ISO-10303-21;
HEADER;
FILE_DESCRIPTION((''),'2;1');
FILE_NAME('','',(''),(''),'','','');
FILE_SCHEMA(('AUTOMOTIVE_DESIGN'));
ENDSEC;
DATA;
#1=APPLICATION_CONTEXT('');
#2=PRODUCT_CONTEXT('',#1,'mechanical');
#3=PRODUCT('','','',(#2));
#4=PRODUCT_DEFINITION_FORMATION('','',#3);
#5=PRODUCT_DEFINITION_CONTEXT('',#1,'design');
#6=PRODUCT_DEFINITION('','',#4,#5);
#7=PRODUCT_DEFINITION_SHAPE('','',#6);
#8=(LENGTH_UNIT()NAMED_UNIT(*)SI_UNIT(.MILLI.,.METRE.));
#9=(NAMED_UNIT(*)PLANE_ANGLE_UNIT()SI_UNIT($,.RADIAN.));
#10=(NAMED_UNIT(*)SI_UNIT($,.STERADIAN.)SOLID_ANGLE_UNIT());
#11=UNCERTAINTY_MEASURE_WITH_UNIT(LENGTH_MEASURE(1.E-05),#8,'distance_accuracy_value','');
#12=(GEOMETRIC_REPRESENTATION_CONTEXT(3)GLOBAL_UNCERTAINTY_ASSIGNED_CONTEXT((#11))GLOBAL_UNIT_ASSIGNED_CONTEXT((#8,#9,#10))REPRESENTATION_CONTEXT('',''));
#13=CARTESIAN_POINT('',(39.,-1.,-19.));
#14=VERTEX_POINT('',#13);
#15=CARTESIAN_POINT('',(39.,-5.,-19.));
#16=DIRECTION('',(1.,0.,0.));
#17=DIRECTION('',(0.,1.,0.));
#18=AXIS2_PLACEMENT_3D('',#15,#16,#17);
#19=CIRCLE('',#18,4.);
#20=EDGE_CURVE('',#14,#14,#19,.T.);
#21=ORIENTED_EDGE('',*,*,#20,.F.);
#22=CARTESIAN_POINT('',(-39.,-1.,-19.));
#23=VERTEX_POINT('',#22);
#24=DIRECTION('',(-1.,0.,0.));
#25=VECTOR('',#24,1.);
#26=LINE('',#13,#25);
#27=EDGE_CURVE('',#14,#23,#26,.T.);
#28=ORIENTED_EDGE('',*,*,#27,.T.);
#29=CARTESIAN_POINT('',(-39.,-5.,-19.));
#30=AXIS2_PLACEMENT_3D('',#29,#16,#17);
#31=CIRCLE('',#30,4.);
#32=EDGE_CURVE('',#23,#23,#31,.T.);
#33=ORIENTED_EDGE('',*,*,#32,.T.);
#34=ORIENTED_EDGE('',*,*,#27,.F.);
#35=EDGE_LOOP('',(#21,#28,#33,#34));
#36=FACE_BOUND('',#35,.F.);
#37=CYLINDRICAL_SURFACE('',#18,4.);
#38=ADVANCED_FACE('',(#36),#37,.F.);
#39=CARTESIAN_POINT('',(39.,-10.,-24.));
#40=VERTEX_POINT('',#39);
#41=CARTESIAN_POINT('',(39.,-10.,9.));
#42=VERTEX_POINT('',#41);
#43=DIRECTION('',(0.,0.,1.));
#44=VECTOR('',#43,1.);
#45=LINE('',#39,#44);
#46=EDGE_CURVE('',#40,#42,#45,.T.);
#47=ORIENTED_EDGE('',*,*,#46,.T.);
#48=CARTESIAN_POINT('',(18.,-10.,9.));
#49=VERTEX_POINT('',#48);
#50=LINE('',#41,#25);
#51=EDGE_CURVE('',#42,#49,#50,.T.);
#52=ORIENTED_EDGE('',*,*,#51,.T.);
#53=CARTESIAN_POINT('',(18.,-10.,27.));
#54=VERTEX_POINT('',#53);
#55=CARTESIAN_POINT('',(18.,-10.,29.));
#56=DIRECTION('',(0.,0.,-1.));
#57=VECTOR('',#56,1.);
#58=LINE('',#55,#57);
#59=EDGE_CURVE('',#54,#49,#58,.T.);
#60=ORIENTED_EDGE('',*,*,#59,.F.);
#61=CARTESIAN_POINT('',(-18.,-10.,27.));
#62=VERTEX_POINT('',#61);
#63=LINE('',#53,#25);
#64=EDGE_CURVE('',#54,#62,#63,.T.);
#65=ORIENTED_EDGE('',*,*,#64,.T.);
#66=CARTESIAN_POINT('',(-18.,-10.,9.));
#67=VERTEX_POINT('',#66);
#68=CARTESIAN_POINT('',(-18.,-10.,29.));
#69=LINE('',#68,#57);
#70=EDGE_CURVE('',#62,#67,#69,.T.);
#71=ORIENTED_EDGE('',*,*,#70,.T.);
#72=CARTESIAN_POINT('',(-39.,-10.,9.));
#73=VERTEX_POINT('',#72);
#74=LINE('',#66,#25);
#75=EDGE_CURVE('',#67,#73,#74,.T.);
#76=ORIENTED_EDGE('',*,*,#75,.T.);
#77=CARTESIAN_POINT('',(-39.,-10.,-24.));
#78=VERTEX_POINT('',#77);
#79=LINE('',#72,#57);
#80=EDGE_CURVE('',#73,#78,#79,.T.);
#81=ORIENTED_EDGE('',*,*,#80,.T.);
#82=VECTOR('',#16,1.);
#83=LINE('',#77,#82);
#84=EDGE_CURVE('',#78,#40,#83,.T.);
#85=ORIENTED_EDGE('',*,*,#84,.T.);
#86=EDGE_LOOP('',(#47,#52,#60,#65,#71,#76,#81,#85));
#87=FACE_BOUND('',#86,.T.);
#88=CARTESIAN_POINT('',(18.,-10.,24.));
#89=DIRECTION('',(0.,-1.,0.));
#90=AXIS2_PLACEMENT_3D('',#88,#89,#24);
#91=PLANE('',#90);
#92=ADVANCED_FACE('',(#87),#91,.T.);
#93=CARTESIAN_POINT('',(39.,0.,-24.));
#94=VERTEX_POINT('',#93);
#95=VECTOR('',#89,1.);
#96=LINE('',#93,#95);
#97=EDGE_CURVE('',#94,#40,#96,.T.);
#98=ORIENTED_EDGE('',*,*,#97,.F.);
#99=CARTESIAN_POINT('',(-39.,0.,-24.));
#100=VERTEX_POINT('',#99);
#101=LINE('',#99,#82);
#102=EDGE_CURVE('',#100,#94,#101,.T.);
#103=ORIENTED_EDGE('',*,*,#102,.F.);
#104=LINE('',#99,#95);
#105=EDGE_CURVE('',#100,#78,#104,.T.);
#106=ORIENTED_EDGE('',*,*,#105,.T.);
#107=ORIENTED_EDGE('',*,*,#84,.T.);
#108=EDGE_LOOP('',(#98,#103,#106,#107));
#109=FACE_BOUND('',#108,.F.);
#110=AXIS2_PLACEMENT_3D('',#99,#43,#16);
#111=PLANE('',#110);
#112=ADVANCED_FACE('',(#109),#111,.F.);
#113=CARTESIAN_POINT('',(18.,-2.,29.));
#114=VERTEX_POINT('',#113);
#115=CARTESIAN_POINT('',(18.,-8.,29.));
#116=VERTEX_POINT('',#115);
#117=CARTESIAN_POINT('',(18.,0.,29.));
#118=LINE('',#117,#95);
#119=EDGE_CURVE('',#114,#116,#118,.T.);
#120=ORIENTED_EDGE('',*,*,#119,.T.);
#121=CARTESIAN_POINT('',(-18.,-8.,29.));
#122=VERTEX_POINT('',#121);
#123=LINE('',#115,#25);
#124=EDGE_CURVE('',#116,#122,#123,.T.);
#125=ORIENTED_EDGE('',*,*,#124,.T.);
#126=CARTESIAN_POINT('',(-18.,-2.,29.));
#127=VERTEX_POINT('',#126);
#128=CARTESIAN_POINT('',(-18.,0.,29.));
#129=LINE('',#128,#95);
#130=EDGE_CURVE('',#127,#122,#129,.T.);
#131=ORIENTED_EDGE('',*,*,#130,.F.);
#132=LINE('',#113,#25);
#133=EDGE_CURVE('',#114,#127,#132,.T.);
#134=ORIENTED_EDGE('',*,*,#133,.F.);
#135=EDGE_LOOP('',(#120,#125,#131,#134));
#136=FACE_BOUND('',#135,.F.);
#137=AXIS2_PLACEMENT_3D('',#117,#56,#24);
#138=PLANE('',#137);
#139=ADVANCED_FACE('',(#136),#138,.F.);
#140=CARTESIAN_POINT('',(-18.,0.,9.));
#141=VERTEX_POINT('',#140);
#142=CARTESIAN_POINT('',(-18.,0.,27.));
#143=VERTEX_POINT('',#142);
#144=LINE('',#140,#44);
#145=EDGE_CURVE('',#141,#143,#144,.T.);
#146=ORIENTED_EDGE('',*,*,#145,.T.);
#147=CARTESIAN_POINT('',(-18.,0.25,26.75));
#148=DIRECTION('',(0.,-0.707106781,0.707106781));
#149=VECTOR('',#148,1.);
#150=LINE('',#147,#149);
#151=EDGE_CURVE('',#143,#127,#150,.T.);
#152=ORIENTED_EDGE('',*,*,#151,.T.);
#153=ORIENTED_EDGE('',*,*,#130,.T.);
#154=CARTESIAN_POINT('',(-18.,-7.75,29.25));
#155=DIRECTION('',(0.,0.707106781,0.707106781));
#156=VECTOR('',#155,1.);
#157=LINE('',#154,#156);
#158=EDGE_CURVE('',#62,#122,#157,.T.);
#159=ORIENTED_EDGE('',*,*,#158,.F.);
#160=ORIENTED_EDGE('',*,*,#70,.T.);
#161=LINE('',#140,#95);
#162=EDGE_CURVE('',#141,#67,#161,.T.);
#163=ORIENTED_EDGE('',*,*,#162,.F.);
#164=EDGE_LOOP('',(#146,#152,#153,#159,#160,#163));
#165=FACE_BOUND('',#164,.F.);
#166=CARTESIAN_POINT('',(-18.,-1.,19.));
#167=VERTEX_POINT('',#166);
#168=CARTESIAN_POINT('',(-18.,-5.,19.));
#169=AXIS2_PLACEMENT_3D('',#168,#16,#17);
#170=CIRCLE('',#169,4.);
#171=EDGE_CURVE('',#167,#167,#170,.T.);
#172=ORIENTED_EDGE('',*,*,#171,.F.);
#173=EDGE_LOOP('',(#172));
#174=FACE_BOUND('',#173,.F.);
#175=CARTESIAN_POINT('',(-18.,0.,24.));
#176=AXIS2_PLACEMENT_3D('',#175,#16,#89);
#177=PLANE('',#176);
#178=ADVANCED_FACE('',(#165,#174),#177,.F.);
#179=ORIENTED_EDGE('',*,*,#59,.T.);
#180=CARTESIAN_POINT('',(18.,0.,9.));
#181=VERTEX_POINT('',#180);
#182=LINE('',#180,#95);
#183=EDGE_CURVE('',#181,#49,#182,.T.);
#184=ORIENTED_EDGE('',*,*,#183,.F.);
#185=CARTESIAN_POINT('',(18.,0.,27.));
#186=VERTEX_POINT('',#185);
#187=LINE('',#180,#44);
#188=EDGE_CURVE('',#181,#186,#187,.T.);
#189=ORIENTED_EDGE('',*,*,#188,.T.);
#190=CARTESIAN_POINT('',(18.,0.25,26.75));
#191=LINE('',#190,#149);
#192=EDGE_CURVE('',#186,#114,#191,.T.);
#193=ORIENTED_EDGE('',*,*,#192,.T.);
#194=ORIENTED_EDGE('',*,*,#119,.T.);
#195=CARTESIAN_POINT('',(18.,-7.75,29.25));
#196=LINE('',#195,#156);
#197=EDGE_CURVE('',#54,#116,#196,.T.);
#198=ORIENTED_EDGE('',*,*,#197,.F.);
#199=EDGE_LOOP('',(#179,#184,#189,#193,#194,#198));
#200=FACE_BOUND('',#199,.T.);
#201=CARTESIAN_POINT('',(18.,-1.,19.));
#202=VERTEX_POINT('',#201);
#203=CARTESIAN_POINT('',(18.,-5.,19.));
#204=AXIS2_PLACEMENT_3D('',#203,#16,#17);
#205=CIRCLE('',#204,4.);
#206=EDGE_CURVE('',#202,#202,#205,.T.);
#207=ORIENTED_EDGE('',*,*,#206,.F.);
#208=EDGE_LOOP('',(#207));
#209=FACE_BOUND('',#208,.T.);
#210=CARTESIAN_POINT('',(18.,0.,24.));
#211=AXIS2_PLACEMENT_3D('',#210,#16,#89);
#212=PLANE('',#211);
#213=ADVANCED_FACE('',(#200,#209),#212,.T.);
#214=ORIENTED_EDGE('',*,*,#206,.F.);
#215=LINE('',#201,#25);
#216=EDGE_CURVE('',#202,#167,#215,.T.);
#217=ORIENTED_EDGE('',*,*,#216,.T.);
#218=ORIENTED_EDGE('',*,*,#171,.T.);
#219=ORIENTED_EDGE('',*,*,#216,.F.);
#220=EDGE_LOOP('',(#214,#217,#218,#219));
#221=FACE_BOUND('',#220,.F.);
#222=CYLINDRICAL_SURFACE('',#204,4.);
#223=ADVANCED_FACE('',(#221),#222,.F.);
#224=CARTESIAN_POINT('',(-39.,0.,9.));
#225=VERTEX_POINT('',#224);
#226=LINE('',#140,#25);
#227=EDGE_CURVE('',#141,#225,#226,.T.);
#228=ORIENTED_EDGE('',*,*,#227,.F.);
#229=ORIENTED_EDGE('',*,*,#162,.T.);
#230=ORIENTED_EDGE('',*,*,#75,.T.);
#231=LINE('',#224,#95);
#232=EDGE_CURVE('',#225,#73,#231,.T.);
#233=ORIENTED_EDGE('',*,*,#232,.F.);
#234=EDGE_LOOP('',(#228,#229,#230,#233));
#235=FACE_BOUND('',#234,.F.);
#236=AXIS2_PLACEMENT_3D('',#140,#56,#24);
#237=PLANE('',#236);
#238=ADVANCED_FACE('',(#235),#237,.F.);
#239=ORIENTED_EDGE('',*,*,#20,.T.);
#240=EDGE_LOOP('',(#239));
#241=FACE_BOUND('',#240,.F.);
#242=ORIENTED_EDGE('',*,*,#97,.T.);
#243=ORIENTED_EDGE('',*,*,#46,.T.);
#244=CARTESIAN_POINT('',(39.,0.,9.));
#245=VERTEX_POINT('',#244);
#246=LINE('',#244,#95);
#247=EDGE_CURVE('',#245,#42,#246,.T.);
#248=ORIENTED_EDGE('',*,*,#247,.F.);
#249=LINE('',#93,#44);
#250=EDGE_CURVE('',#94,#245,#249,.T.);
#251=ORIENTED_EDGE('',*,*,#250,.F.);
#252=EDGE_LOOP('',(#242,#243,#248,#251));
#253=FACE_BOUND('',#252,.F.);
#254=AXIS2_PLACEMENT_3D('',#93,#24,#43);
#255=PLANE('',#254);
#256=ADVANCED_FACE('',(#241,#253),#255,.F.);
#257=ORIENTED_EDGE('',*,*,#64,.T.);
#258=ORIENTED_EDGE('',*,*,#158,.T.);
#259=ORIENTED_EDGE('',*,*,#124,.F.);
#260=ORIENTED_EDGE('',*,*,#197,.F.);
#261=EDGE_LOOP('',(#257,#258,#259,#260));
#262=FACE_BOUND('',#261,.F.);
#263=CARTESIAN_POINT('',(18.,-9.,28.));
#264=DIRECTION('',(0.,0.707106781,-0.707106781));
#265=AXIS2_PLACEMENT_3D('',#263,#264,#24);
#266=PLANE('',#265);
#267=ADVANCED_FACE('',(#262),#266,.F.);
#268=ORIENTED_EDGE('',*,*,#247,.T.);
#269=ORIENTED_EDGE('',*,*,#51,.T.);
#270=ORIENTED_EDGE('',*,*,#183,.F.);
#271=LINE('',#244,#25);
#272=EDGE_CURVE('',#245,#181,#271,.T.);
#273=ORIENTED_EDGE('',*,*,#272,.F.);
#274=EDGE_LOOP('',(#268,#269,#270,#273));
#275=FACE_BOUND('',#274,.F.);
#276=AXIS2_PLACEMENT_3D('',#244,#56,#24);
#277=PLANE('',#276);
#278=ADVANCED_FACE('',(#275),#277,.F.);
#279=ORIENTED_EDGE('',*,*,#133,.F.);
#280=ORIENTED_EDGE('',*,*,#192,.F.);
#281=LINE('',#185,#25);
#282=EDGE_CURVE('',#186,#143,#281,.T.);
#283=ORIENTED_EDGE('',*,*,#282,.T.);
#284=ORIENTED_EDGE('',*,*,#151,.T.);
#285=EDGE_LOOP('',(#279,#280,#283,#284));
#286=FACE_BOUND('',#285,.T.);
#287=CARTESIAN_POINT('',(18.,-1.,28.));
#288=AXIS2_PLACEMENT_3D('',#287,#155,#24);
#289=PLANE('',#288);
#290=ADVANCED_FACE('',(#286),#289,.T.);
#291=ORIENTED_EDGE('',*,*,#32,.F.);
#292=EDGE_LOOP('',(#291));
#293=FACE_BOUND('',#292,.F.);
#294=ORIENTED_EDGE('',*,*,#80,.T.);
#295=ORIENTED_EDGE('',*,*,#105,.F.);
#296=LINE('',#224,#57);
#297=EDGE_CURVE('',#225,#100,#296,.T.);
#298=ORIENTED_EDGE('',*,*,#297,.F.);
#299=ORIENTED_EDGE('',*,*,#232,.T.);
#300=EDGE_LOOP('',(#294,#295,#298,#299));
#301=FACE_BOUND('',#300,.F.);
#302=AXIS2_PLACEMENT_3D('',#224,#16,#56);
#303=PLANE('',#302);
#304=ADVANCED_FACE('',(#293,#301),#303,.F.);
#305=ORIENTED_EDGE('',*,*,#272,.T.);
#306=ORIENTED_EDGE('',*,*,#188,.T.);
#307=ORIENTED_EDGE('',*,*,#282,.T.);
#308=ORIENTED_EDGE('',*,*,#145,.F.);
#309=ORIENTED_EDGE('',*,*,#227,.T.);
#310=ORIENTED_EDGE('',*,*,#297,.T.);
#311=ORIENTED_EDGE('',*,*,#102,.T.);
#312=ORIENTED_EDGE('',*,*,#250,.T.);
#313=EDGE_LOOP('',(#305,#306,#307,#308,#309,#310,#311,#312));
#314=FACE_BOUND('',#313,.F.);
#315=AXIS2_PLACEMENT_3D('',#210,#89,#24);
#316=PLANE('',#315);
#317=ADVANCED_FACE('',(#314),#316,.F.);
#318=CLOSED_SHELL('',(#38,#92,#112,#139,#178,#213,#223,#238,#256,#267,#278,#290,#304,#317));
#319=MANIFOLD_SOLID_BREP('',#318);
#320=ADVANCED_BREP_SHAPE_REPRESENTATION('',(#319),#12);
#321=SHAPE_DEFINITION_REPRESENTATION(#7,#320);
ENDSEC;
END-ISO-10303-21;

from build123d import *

# Parameters (mm, degrees)
F1_DEPTH  = 10
F2_R      = 4
F3_DEPTH  = 38
F4_R      = 4
F5_DEPTH  = 70
F8_DEPTH  = 10
F9_R      = 4
F10_DEPTH = 40
F11_R     = 4
F12_DEPTH = 100
F13_DEPTH = 5
F14_SIZE  = 2


with BuildPart() as f1:
    # F0 (on Front) → F1 (new body)
    with BuildSketch(Plane.XZ):
        Polygon((19, 24), (-19, 24), (-19, 9), (-35, 9), (-35, -24), (35, -24), (35, 9), (19, 9), align=None)
    extrude(amount=F1_DEPTH)

    # F2 (on face) → F3 (cut)
    with BuildSketch(Plane.YZ.offset(19)):
        with Locations((-5, 19)):
            Circle(F2_R)
    extrude(amount=-F3_DEPTH, mode=Mode.SUBTRACT)

    # F4 (on face) → F5 (cut)
    with BuildSketch(Plane.YZ.offset(35)):
        with Locations((-5, -19)):
            Circle(F4_R)
    extrude(amount=-F5_DEPTH, mode=Mode.SUBTRACT)


with BuildPart() as f8:
    # F7 (on Front) → F8 (new body)
    with BuildSketch(Plane.XZ):
        Polygon((18, 24), (-18, 24), (-18, 9), (-39, 9), (-39, -24), (39, -24), (39, 9), (18, 9), align=None)
    extrude(amount=F8_DEPTH)

    # F9 (on face) → F10 (cut)
    with BuildSketch(Plane.YZ.offset(18)):
        with Locations((-5, 19)):
            Circle(F9_R)
    extrude(amount=-F10_DEPTH, mode=Mode.SUBTRACT)

    # F11 (on face) → F12 (cut)
    with BuildSketch(Plane.YZ.offset(39)):
        with Locations((-5, -19)):
            Circle(F11_R)
    extrude(amount=-F12_DEPTH, mode=Mode.SUBTRACT)

    # F13 (add): a face of the model
    f13_faces = [f8.faces().sort_by_distance(p)[0] for p in [
        (0, -5, 24),
    ]]
    extrude(f13_faces, amount=F13_DEPTH)

    # F14
    f14_edges = [f8.edges().sort_by_distance(p)[0] for p in [
        (0, -10, 29),
        (0, 0, 29),
    ]]
    chamfer(f14_edges, length=F14_SIZE)


solid = f8.part
